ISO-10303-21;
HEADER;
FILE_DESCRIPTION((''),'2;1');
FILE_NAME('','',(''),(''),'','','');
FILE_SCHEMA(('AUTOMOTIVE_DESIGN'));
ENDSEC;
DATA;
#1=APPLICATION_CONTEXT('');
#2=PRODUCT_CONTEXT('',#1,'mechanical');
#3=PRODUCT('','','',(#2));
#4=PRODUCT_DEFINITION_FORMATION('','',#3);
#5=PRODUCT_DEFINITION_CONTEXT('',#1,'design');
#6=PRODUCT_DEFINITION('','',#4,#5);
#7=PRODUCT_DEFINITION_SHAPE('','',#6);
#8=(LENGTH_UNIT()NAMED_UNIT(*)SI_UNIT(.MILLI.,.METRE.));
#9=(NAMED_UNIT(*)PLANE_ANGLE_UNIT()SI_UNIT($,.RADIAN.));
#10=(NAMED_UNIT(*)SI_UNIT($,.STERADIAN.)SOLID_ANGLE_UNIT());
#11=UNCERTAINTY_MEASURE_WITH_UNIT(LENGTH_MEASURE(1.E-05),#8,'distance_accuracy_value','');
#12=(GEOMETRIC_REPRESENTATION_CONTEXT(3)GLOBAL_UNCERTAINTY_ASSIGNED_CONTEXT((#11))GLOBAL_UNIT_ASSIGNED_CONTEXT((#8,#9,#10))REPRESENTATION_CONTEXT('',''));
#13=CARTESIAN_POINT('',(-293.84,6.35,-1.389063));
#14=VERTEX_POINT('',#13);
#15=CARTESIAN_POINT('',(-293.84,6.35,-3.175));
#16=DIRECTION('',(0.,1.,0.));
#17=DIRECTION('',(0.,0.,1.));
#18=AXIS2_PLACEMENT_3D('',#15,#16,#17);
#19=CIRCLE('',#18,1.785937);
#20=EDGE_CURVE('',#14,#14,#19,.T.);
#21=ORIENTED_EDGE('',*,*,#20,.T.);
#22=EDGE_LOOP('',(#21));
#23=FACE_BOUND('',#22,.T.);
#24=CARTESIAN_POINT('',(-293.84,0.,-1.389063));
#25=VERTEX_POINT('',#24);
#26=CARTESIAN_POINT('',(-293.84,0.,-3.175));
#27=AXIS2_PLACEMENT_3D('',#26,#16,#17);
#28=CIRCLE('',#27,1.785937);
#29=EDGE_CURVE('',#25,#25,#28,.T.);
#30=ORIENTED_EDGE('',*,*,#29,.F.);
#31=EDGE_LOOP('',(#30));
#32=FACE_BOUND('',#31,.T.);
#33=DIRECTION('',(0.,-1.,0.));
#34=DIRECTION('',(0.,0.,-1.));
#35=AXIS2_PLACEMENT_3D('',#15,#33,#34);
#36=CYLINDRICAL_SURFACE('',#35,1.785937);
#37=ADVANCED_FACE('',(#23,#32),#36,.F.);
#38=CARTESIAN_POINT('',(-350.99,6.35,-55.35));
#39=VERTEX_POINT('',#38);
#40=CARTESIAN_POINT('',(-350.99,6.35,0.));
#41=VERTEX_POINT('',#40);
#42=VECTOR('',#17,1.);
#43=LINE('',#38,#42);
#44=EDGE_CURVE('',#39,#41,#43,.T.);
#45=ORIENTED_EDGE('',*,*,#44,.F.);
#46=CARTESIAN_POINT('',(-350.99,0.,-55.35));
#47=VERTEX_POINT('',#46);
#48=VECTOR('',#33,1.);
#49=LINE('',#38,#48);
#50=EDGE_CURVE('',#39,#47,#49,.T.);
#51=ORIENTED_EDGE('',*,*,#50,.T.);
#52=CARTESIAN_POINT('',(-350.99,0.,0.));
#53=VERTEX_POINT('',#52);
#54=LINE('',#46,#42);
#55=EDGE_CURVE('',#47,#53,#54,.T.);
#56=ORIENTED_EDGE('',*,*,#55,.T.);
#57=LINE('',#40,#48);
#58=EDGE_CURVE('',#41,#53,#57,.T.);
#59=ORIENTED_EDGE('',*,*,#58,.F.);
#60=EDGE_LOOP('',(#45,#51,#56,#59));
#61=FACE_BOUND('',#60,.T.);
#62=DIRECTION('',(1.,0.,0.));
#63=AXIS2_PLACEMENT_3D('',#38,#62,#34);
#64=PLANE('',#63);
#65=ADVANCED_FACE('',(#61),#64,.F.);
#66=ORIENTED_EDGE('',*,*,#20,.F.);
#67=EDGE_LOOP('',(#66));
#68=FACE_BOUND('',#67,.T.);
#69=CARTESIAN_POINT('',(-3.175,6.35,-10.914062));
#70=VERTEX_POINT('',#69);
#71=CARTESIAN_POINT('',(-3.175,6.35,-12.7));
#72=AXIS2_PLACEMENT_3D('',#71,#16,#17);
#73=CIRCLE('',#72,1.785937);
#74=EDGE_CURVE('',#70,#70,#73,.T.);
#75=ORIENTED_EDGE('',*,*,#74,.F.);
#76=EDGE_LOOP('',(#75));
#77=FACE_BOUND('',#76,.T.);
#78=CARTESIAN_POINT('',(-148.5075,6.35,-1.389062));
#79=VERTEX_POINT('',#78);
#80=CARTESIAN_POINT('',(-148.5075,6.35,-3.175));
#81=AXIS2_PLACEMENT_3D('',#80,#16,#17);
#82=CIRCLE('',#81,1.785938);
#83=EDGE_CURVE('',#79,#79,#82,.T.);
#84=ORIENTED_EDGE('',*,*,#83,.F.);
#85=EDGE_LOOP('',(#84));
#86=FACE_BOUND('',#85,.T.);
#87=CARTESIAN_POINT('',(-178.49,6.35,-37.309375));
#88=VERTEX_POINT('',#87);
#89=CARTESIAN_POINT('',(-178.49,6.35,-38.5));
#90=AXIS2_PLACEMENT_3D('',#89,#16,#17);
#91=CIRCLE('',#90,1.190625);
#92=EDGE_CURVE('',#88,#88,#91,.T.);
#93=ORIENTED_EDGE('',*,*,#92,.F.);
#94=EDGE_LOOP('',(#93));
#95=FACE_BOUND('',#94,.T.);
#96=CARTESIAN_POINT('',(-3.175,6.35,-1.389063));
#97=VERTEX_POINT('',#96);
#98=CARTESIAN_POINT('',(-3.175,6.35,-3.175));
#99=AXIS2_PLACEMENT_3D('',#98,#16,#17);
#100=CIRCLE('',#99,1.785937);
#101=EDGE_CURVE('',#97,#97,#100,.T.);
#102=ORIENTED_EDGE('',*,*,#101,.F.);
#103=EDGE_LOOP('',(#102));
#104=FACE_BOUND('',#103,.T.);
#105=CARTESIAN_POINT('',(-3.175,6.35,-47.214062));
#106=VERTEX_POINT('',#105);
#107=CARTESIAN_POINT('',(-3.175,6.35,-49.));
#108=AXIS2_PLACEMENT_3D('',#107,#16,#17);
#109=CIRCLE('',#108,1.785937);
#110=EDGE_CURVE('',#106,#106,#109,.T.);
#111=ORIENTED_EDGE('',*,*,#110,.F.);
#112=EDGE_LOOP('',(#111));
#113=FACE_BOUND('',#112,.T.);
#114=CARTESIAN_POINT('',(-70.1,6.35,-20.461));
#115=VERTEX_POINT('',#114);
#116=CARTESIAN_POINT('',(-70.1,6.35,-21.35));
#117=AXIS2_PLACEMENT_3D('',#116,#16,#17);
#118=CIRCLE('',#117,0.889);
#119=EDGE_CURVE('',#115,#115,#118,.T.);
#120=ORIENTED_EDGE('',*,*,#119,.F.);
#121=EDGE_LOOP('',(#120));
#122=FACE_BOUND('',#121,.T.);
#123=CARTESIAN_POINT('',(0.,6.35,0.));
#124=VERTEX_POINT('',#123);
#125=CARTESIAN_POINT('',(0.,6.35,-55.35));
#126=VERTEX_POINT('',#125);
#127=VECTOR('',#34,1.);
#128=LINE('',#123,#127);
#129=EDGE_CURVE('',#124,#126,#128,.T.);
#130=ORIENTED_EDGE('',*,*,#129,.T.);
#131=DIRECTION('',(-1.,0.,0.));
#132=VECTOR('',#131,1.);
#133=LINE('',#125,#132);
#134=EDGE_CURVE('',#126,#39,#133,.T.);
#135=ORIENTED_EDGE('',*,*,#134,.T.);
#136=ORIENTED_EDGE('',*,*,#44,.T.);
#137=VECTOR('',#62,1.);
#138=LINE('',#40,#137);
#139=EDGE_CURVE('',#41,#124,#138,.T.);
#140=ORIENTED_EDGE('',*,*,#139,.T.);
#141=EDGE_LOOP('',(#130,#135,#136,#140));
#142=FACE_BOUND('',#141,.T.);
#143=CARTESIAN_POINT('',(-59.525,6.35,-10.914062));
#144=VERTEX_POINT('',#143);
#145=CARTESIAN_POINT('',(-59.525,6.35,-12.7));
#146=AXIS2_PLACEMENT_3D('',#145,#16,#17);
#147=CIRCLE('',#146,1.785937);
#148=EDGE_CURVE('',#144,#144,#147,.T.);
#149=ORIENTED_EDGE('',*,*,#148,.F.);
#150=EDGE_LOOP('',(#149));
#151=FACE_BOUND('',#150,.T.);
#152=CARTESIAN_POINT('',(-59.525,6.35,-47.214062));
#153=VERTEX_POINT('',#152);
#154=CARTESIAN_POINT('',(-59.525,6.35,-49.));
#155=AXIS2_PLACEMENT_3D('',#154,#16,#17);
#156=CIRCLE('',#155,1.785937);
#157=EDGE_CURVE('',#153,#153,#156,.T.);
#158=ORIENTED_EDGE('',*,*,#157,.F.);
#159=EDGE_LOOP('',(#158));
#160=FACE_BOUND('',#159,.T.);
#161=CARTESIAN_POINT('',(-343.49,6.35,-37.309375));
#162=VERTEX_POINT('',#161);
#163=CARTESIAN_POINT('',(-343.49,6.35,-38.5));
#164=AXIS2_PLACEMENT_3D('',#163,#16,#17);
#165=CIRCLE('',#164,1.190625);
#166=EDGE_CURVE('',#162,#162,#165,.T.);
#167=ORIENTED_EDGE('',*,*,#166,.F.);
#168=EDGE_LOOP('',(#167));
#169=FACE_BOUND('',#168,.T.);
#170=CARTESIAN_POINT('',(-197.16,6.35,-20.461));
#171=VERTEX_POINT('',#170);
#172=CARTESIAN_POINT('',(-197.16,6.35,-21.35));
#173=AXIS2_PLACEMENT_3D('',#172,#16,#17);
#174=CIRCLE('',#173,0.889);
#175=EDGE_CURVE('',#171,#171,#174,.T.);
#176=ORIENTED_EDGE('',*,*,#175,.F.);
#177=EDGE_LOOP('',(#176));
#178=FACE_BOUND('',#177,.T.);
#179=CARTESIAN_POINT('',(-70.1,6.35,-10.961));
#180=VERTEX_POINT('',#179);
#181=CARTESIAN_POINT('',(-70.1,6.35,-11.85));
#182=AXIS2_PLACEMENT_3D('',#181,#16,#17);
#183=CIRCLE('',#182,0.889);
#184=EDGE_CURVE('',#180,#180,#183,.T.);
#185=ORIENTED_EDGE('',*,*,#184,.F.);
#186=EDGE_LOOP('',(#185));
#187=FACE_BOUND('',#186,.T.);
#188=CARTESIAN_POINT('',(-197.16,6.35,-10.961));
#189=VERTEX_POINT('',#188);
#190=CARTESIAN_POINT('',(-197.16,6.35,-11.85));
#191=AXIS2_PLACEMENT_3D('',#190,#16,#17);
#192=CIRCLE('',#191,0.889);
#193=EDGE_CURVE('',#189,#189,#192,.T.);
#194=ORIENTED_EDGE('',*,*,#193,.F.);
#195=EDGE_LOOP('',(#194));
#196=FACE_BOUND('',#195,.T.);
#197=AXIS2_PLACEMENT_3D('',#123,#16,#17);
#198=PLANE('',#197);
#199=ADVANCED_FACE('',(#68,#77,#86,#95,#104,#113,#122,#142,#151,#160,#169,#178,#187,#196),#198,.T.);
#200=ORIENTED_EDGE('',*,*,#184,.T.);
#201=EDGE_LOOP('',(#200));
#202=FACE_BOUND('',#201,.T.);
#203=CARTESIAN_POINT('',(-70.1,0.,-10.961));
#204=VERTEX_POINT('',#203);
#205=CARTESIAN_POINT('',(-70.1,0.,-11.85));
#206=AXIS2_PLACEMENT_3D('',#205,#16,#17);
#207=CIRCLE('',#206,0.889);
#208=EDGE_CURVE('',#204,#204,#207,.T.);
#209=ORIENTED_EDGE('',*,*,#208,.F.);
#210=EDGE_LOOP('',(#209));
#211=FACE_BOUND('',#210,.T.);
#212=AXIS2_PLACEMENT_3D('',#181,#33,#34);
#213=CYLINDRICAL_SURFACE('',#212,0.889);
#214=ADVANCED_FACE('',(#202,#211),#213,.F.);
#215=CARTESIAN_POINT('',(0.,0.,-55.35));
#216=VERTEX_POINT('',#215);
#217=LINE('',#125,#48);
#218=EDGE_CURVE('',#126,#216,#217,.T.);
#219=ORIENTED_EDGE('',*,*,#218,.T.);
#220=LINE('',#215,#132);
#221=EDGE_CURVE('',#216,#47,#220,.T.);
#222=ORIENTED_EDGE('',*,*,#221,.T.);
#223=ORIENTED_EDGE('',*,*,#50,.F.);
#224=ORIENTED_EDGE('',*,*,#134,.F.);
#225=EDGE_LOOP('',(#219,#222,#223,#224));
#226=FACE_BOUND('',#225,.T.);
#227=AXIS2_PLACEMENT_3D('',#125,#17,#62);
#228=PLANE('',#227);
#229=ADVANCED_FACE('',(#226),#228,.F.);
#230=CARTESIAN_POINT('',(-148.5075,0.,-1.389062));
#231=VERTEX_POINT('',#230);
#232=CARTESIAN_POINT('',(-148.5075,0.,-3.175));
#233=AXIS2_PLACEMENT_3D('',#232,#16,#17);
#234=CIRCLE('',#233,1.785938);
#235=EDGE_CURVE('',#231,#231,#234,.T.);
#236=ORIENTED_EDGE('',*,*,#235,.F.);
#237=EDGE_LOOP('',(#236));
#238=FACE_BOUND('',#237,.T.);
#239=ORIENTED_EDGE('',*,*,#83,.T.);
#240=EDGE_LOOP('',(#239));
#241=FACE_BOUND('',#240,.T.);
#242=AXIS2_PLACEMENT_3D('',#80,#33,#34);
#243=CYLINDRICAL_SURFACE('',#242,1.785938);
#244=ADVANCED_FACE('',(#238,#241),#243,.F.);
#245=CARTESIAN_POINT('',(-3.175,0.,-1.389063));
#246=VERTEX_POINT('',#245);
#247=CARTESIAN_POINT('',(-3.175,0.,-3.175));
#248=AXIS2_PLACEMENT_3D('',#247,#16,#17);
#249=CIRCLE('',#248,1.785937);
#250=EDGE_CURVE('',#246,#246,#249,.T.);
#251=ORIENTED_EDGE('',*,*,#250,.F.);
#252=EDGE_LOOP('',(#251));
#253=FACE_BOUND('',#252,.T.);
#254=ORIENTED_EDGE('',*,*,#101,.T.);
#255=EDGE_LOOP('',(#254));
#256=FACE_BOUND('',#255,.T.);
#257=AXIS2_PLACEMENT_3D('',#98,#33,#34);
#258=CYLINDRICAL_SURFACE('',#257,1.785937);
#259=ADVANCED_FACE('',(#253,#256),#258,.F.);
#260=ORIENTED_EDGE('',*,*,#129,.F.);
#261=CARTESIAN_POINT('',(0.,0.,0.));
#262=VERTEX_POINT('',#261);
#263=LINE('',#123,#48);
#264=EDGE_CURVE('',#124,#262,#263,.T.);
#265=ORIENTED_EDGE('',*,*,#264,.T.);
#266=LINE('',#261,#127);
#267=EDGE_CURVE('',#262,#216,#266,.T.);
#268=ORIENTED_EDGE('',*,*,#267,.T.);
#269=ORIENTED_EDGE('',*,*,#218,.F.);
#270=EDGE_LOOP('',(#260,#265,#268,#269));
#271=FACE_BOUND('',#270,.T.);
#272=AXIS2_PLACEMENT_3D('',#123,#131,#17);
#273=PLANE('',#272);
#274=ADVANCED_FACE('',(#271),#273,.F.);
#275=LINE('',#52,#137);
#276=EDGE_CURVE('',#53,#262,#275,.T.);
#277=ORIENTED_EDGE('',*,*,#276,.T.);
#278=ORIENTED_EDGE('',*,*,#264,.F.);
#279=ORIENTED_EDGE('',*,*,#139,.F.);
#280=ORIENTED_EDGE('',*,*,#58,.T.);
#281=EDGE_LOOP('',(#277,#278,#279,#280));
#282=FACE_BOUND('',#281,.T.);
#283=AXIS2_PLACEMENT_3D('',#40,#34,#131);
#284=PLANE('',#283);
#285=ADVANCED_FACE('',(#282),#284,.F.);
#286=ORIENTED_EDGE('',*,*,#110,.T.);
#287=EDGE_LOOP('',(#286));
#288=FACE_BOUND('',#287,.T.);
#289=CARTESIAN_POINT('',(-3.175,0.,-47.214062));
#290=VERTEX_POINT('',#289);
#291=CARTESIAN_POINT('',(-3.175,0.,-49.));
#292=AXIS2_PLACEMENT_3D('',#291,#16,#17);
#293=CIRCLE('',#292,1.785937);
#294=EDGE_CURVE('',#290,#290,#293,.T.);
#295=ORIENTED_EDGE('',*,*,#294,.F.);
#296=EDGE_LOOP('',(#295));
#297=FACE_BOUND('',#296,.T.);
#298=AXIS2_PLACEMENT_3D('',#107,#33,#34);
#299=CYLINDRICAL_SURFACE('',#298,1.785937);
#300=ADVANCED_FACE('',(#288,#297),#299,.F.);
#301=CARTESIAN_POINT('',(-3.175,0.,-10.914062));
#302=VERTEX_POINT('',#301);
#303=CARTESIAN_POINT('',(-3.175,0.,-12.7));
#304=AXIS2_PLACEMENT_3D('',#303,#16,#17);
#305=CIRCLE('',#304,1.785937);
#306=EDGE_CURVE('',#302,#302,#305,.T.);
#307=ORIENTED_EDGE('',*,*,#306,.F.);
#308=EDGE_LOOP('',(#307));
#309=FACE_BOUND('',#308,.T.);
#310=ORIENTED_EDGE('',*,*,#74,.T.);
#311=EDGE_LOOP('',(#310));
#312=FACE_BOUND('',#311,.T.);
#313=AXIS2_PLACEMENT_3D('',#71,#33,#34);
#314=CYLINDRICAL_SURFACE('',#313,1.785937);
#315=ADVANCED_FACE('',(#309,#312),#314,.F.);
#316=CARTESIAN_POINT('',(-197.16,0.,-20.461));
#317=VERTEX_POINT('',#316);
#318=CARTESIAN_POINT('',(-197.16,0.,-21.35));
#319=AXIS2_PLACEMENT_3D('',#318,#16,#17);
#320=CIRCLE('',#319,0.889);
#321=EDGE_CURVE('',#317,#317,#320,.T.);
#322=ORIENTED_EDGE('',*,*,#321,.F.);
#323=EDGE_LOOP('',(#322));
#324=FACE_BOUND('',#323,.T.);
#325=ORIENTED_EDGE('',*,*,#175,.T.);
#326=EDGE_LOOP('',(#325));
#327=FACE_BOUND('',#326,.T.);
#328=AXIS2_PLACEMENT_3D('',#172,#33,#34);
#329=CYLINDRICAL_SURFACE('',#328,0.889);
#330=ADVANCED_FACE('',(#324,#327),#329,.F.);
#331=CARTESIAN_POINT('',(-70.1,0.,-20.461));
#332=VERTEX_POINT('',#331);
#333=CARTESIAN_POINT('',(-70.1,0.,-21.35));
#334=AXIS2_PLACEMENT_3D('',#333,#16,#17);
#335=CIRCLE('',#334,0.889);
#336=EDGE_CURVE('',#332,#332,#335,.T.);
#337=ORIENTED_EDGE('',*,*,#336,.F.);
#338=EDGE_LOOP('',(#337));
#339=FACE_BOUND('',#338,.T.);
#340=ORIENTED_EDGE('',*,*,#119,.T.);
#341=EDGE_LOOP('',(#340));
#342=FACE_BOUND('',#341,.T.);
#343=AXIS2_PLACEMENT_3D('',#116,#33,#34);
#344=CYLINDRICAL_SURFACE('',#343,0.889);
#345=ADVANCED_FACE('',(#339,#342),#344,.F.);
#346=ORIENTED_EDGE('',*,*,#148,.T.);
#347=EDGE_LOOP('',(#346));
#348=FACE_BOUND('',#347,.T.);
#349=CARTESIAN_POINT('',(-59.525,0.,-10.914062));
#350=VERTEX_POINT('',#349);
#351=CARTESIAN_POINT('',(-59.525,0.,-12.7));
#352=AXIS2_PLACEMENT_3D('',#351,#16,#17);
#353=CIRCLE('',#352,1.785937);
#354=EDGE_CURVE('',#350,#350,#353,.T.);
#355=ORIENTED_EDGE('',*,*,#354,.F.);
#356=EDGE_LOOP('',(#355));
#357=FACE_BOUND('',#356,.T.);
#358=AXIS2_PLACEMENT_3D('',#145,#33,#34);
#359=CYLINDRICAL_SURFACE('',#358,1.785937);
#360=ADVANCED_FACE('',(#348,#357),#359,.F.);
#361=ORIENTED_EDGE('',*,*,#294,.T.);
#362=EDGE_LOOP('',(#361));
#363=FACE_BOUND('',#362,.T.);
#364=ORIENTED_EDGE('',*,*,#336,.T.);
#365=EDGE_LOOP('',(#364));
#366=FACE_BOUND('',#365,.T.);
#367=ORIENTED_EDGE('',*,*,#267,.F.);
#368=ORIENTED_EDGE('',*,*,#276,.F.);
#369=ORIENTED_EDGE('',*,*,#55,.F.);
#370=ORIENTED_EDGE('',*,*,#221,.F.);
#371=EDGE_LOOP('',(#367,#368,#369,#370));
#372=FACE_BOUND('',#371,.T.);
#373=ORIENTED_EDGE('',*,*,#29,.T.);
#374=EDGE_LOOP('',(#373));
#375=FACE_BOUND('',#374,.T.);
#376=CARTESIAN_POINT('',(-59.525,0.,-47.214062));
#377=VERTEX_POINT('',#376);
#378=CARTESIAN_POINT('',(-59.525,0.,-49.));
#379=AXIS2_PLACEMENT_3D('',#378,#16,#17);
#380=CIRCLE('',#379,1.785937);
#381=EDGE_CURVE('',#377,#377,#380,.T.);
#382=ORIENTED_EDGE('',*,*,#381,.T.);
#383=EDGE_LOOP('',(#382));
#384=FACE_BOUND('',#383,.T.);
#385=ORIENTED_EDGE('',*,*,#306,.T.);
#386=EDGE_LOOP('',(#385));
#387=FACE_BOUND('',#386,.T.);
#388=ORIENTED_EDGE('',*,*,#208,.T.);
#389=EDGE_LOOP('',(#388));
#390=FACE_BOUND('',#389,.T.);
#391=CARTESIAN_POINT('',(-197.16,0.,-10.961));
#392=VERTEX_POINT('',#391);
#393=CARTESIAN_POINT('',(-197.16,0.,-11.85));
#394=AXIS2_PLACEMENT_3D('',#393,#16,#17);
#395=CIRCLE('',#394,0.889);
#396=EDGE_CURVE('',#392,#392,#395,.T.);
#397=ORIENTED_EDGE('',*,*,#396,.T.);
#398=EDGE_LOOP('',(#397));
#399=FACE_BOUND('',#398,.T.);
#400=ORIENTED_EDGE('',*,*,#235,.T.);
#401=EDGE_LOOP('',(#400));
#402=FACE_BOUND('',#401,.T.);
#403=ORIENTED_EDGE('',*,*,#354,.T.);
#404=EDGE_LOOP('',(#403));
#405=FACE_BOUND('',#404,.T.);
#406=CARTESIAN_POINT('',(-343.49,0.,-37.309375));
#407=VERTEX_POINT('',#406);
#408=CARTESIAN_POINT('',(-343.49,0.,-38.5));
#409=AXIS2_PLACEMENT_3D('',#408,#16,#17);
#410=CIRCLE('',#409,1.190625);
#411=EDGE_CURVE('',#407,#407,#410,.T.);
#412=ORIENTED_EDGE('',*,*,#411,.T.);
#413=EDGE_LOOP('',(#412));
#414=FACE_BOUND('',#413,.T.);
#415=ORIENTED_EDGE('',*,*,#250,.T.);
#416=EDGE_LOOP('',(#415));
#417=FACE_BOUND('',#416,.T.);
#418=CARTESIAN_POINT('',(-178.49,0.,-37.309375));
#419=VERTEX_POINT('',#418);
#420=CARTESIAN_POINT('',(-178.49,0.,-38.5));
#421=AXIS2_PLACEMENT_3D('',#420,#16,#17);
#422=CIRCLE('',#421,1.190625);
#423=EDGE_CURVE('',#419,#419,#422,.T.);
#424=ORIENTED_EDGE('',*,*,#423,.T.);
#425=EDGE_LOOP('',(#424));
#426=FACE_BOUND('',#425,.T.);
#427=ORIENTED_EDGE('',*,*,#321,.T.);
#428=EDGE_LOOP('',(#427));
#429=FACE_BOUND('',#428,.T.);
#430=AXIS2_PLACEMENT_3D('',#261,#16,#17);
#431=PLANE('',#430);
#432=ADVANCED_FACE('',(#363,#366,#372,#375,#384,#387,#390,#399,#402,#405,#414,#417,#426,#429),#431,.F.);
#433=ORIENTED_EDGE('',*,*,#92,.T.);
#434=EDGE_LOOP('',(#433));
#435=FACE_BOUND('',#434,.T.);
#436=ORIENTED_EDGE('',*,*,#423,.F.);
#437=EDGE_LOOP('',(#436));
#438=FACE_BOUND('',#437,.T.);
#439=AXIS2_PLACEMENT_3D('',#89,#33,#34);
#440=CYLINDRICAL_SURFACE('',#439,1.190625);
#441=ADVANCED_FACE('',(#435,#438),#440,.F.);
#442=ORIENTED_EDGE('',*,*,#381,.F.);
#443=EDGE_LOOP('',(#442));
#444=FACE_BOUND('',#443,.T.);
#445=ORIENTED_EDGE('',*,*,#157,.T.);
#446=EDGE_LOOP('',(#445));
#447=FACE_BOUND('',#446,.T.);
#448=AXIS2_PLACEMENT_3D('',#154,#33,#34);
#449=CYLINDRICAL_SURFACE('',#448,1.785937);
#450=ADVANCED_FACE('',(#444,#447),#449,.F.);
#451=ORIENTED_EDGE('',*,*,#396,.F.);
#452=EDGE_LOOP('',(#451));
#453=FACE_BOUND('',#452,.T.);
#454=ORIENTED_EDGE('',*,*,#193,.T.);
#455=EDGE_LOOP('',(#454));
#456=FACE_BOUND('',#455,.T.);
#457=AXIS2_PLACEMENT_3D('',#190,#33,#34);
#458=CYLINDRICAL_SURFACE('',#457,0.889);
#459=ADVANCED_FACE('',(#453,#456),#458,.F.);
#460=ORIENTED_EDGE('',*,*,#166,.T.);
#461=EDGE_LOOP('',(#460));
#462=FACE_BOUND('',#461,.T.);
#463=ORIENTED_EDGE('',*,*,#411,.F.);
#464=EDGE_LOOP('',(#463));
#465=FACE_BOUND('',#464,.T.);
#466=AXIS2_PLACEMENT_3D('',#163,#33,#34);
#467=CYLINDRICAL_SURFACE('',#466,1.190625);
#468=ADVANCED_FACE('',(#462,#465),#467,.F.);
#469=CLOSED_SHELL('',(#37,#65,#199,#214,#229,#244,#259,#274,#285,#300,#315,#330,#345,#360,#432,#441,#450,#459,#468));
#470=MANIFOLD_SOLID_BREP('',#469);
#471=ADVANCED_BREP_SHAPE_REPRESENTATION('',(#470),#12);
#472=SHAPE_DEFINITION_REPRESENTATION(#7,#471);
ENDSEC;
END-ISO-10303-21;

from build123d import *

# Parameters (mm, degrees)
SKETCH1_W           = 350.99
SKETCH1_H           = 55.35
SKETCH1_R           = 1.7859375
SKETCH1_R_2         = 0.889
SKETCH1_R_3         = 1.190625
BOSS_EXTRUDE1_DEPTH = 6.35


with BuildPart() as part:
    # Sketch1 → Boss-Extrude1 (new body)
    with BuildSketch(Plane(origin=(0, 0, 0), x_dir=(1, 0, 0), z_dir=(0, 1, 0))):
        with Locations((-175.495, 27.675)):
            Rectangle(SKETCH1_W, SKETCH1_H)
        with Locations(Location((-293.84, 3.175, 0), (0, 0, 270))):
            Circle(SKETCH1_R, mode=Mode.SUBTRACT)
        with Locations(Location((-197.16, 11.85, 0), (0, 0, 270))):
            Circle(SKETCH1_R_2, mode=Mode.SUBTRACT)
        with Locations(Location((-197.16, 21.35, 0), (0, 0, 270))):
            Circle(SKETCH1_R_2, mode=Mode.SUBTRACT)
        with Locations(Location((-70.1, 21.35, 0), (0, 0, 270))):
            Circle(SKETCH1_R_2, mode=Mode.SUBTRACT)
        with Locations(Location((-70.1, 11.85, 0), (0, 0, 270))):
            Circle(SKETCH1_R_2, mode=Mode.SUBTRACT)
        with Locations(Location((-343.49, 38.5, 0), (0, 0, 270))):
            Circle(SKETCH1_R_3, mode=Mode.SUBTRACT)
        with Locations(Location((-178.49, 38.5, 0), (0, 0, 270))):
            Circle(SKETCH1_R_3, mode=Mode.SUBTRACT)
        with Locations(Location((-3.175, 3.175, 0), (0, 0, 270))):
            Circle(SKETCH1_R, mode=Mode.SUBTRACT)
        with Locations(Location((-3.175, 49, 0), (0, 0, 270))):
            Circle(SKETCH1_R, mode=Mode.SUBTRACT)
        with Locations(Location((-3.175, 12.7, 0), (0, 0, 270))):
            Circle(SKETCH1_R, mode=Mode.SUBTRACT)
        with Locations(Location((-148.5075, 3.175, 0), (0, 0, 270))):
            Circle(SKETCH1_R, mode=Mode.SUBTRACT)
        with Locations(Location((-59.525, 49, 0), (0, 0, 270))):
            Circle(SKETCH1_R, mode=Mode.SUBTRACT)
        with Locations(Location((-59.525, 12.7, 0), (0, 0, 270))):
            Circle(SKETCH1_R, mode=Mode.SUBTRACT)
    extrude(amount=BOSS_EXTRUDE1_DEPTH)


solid = part.part
